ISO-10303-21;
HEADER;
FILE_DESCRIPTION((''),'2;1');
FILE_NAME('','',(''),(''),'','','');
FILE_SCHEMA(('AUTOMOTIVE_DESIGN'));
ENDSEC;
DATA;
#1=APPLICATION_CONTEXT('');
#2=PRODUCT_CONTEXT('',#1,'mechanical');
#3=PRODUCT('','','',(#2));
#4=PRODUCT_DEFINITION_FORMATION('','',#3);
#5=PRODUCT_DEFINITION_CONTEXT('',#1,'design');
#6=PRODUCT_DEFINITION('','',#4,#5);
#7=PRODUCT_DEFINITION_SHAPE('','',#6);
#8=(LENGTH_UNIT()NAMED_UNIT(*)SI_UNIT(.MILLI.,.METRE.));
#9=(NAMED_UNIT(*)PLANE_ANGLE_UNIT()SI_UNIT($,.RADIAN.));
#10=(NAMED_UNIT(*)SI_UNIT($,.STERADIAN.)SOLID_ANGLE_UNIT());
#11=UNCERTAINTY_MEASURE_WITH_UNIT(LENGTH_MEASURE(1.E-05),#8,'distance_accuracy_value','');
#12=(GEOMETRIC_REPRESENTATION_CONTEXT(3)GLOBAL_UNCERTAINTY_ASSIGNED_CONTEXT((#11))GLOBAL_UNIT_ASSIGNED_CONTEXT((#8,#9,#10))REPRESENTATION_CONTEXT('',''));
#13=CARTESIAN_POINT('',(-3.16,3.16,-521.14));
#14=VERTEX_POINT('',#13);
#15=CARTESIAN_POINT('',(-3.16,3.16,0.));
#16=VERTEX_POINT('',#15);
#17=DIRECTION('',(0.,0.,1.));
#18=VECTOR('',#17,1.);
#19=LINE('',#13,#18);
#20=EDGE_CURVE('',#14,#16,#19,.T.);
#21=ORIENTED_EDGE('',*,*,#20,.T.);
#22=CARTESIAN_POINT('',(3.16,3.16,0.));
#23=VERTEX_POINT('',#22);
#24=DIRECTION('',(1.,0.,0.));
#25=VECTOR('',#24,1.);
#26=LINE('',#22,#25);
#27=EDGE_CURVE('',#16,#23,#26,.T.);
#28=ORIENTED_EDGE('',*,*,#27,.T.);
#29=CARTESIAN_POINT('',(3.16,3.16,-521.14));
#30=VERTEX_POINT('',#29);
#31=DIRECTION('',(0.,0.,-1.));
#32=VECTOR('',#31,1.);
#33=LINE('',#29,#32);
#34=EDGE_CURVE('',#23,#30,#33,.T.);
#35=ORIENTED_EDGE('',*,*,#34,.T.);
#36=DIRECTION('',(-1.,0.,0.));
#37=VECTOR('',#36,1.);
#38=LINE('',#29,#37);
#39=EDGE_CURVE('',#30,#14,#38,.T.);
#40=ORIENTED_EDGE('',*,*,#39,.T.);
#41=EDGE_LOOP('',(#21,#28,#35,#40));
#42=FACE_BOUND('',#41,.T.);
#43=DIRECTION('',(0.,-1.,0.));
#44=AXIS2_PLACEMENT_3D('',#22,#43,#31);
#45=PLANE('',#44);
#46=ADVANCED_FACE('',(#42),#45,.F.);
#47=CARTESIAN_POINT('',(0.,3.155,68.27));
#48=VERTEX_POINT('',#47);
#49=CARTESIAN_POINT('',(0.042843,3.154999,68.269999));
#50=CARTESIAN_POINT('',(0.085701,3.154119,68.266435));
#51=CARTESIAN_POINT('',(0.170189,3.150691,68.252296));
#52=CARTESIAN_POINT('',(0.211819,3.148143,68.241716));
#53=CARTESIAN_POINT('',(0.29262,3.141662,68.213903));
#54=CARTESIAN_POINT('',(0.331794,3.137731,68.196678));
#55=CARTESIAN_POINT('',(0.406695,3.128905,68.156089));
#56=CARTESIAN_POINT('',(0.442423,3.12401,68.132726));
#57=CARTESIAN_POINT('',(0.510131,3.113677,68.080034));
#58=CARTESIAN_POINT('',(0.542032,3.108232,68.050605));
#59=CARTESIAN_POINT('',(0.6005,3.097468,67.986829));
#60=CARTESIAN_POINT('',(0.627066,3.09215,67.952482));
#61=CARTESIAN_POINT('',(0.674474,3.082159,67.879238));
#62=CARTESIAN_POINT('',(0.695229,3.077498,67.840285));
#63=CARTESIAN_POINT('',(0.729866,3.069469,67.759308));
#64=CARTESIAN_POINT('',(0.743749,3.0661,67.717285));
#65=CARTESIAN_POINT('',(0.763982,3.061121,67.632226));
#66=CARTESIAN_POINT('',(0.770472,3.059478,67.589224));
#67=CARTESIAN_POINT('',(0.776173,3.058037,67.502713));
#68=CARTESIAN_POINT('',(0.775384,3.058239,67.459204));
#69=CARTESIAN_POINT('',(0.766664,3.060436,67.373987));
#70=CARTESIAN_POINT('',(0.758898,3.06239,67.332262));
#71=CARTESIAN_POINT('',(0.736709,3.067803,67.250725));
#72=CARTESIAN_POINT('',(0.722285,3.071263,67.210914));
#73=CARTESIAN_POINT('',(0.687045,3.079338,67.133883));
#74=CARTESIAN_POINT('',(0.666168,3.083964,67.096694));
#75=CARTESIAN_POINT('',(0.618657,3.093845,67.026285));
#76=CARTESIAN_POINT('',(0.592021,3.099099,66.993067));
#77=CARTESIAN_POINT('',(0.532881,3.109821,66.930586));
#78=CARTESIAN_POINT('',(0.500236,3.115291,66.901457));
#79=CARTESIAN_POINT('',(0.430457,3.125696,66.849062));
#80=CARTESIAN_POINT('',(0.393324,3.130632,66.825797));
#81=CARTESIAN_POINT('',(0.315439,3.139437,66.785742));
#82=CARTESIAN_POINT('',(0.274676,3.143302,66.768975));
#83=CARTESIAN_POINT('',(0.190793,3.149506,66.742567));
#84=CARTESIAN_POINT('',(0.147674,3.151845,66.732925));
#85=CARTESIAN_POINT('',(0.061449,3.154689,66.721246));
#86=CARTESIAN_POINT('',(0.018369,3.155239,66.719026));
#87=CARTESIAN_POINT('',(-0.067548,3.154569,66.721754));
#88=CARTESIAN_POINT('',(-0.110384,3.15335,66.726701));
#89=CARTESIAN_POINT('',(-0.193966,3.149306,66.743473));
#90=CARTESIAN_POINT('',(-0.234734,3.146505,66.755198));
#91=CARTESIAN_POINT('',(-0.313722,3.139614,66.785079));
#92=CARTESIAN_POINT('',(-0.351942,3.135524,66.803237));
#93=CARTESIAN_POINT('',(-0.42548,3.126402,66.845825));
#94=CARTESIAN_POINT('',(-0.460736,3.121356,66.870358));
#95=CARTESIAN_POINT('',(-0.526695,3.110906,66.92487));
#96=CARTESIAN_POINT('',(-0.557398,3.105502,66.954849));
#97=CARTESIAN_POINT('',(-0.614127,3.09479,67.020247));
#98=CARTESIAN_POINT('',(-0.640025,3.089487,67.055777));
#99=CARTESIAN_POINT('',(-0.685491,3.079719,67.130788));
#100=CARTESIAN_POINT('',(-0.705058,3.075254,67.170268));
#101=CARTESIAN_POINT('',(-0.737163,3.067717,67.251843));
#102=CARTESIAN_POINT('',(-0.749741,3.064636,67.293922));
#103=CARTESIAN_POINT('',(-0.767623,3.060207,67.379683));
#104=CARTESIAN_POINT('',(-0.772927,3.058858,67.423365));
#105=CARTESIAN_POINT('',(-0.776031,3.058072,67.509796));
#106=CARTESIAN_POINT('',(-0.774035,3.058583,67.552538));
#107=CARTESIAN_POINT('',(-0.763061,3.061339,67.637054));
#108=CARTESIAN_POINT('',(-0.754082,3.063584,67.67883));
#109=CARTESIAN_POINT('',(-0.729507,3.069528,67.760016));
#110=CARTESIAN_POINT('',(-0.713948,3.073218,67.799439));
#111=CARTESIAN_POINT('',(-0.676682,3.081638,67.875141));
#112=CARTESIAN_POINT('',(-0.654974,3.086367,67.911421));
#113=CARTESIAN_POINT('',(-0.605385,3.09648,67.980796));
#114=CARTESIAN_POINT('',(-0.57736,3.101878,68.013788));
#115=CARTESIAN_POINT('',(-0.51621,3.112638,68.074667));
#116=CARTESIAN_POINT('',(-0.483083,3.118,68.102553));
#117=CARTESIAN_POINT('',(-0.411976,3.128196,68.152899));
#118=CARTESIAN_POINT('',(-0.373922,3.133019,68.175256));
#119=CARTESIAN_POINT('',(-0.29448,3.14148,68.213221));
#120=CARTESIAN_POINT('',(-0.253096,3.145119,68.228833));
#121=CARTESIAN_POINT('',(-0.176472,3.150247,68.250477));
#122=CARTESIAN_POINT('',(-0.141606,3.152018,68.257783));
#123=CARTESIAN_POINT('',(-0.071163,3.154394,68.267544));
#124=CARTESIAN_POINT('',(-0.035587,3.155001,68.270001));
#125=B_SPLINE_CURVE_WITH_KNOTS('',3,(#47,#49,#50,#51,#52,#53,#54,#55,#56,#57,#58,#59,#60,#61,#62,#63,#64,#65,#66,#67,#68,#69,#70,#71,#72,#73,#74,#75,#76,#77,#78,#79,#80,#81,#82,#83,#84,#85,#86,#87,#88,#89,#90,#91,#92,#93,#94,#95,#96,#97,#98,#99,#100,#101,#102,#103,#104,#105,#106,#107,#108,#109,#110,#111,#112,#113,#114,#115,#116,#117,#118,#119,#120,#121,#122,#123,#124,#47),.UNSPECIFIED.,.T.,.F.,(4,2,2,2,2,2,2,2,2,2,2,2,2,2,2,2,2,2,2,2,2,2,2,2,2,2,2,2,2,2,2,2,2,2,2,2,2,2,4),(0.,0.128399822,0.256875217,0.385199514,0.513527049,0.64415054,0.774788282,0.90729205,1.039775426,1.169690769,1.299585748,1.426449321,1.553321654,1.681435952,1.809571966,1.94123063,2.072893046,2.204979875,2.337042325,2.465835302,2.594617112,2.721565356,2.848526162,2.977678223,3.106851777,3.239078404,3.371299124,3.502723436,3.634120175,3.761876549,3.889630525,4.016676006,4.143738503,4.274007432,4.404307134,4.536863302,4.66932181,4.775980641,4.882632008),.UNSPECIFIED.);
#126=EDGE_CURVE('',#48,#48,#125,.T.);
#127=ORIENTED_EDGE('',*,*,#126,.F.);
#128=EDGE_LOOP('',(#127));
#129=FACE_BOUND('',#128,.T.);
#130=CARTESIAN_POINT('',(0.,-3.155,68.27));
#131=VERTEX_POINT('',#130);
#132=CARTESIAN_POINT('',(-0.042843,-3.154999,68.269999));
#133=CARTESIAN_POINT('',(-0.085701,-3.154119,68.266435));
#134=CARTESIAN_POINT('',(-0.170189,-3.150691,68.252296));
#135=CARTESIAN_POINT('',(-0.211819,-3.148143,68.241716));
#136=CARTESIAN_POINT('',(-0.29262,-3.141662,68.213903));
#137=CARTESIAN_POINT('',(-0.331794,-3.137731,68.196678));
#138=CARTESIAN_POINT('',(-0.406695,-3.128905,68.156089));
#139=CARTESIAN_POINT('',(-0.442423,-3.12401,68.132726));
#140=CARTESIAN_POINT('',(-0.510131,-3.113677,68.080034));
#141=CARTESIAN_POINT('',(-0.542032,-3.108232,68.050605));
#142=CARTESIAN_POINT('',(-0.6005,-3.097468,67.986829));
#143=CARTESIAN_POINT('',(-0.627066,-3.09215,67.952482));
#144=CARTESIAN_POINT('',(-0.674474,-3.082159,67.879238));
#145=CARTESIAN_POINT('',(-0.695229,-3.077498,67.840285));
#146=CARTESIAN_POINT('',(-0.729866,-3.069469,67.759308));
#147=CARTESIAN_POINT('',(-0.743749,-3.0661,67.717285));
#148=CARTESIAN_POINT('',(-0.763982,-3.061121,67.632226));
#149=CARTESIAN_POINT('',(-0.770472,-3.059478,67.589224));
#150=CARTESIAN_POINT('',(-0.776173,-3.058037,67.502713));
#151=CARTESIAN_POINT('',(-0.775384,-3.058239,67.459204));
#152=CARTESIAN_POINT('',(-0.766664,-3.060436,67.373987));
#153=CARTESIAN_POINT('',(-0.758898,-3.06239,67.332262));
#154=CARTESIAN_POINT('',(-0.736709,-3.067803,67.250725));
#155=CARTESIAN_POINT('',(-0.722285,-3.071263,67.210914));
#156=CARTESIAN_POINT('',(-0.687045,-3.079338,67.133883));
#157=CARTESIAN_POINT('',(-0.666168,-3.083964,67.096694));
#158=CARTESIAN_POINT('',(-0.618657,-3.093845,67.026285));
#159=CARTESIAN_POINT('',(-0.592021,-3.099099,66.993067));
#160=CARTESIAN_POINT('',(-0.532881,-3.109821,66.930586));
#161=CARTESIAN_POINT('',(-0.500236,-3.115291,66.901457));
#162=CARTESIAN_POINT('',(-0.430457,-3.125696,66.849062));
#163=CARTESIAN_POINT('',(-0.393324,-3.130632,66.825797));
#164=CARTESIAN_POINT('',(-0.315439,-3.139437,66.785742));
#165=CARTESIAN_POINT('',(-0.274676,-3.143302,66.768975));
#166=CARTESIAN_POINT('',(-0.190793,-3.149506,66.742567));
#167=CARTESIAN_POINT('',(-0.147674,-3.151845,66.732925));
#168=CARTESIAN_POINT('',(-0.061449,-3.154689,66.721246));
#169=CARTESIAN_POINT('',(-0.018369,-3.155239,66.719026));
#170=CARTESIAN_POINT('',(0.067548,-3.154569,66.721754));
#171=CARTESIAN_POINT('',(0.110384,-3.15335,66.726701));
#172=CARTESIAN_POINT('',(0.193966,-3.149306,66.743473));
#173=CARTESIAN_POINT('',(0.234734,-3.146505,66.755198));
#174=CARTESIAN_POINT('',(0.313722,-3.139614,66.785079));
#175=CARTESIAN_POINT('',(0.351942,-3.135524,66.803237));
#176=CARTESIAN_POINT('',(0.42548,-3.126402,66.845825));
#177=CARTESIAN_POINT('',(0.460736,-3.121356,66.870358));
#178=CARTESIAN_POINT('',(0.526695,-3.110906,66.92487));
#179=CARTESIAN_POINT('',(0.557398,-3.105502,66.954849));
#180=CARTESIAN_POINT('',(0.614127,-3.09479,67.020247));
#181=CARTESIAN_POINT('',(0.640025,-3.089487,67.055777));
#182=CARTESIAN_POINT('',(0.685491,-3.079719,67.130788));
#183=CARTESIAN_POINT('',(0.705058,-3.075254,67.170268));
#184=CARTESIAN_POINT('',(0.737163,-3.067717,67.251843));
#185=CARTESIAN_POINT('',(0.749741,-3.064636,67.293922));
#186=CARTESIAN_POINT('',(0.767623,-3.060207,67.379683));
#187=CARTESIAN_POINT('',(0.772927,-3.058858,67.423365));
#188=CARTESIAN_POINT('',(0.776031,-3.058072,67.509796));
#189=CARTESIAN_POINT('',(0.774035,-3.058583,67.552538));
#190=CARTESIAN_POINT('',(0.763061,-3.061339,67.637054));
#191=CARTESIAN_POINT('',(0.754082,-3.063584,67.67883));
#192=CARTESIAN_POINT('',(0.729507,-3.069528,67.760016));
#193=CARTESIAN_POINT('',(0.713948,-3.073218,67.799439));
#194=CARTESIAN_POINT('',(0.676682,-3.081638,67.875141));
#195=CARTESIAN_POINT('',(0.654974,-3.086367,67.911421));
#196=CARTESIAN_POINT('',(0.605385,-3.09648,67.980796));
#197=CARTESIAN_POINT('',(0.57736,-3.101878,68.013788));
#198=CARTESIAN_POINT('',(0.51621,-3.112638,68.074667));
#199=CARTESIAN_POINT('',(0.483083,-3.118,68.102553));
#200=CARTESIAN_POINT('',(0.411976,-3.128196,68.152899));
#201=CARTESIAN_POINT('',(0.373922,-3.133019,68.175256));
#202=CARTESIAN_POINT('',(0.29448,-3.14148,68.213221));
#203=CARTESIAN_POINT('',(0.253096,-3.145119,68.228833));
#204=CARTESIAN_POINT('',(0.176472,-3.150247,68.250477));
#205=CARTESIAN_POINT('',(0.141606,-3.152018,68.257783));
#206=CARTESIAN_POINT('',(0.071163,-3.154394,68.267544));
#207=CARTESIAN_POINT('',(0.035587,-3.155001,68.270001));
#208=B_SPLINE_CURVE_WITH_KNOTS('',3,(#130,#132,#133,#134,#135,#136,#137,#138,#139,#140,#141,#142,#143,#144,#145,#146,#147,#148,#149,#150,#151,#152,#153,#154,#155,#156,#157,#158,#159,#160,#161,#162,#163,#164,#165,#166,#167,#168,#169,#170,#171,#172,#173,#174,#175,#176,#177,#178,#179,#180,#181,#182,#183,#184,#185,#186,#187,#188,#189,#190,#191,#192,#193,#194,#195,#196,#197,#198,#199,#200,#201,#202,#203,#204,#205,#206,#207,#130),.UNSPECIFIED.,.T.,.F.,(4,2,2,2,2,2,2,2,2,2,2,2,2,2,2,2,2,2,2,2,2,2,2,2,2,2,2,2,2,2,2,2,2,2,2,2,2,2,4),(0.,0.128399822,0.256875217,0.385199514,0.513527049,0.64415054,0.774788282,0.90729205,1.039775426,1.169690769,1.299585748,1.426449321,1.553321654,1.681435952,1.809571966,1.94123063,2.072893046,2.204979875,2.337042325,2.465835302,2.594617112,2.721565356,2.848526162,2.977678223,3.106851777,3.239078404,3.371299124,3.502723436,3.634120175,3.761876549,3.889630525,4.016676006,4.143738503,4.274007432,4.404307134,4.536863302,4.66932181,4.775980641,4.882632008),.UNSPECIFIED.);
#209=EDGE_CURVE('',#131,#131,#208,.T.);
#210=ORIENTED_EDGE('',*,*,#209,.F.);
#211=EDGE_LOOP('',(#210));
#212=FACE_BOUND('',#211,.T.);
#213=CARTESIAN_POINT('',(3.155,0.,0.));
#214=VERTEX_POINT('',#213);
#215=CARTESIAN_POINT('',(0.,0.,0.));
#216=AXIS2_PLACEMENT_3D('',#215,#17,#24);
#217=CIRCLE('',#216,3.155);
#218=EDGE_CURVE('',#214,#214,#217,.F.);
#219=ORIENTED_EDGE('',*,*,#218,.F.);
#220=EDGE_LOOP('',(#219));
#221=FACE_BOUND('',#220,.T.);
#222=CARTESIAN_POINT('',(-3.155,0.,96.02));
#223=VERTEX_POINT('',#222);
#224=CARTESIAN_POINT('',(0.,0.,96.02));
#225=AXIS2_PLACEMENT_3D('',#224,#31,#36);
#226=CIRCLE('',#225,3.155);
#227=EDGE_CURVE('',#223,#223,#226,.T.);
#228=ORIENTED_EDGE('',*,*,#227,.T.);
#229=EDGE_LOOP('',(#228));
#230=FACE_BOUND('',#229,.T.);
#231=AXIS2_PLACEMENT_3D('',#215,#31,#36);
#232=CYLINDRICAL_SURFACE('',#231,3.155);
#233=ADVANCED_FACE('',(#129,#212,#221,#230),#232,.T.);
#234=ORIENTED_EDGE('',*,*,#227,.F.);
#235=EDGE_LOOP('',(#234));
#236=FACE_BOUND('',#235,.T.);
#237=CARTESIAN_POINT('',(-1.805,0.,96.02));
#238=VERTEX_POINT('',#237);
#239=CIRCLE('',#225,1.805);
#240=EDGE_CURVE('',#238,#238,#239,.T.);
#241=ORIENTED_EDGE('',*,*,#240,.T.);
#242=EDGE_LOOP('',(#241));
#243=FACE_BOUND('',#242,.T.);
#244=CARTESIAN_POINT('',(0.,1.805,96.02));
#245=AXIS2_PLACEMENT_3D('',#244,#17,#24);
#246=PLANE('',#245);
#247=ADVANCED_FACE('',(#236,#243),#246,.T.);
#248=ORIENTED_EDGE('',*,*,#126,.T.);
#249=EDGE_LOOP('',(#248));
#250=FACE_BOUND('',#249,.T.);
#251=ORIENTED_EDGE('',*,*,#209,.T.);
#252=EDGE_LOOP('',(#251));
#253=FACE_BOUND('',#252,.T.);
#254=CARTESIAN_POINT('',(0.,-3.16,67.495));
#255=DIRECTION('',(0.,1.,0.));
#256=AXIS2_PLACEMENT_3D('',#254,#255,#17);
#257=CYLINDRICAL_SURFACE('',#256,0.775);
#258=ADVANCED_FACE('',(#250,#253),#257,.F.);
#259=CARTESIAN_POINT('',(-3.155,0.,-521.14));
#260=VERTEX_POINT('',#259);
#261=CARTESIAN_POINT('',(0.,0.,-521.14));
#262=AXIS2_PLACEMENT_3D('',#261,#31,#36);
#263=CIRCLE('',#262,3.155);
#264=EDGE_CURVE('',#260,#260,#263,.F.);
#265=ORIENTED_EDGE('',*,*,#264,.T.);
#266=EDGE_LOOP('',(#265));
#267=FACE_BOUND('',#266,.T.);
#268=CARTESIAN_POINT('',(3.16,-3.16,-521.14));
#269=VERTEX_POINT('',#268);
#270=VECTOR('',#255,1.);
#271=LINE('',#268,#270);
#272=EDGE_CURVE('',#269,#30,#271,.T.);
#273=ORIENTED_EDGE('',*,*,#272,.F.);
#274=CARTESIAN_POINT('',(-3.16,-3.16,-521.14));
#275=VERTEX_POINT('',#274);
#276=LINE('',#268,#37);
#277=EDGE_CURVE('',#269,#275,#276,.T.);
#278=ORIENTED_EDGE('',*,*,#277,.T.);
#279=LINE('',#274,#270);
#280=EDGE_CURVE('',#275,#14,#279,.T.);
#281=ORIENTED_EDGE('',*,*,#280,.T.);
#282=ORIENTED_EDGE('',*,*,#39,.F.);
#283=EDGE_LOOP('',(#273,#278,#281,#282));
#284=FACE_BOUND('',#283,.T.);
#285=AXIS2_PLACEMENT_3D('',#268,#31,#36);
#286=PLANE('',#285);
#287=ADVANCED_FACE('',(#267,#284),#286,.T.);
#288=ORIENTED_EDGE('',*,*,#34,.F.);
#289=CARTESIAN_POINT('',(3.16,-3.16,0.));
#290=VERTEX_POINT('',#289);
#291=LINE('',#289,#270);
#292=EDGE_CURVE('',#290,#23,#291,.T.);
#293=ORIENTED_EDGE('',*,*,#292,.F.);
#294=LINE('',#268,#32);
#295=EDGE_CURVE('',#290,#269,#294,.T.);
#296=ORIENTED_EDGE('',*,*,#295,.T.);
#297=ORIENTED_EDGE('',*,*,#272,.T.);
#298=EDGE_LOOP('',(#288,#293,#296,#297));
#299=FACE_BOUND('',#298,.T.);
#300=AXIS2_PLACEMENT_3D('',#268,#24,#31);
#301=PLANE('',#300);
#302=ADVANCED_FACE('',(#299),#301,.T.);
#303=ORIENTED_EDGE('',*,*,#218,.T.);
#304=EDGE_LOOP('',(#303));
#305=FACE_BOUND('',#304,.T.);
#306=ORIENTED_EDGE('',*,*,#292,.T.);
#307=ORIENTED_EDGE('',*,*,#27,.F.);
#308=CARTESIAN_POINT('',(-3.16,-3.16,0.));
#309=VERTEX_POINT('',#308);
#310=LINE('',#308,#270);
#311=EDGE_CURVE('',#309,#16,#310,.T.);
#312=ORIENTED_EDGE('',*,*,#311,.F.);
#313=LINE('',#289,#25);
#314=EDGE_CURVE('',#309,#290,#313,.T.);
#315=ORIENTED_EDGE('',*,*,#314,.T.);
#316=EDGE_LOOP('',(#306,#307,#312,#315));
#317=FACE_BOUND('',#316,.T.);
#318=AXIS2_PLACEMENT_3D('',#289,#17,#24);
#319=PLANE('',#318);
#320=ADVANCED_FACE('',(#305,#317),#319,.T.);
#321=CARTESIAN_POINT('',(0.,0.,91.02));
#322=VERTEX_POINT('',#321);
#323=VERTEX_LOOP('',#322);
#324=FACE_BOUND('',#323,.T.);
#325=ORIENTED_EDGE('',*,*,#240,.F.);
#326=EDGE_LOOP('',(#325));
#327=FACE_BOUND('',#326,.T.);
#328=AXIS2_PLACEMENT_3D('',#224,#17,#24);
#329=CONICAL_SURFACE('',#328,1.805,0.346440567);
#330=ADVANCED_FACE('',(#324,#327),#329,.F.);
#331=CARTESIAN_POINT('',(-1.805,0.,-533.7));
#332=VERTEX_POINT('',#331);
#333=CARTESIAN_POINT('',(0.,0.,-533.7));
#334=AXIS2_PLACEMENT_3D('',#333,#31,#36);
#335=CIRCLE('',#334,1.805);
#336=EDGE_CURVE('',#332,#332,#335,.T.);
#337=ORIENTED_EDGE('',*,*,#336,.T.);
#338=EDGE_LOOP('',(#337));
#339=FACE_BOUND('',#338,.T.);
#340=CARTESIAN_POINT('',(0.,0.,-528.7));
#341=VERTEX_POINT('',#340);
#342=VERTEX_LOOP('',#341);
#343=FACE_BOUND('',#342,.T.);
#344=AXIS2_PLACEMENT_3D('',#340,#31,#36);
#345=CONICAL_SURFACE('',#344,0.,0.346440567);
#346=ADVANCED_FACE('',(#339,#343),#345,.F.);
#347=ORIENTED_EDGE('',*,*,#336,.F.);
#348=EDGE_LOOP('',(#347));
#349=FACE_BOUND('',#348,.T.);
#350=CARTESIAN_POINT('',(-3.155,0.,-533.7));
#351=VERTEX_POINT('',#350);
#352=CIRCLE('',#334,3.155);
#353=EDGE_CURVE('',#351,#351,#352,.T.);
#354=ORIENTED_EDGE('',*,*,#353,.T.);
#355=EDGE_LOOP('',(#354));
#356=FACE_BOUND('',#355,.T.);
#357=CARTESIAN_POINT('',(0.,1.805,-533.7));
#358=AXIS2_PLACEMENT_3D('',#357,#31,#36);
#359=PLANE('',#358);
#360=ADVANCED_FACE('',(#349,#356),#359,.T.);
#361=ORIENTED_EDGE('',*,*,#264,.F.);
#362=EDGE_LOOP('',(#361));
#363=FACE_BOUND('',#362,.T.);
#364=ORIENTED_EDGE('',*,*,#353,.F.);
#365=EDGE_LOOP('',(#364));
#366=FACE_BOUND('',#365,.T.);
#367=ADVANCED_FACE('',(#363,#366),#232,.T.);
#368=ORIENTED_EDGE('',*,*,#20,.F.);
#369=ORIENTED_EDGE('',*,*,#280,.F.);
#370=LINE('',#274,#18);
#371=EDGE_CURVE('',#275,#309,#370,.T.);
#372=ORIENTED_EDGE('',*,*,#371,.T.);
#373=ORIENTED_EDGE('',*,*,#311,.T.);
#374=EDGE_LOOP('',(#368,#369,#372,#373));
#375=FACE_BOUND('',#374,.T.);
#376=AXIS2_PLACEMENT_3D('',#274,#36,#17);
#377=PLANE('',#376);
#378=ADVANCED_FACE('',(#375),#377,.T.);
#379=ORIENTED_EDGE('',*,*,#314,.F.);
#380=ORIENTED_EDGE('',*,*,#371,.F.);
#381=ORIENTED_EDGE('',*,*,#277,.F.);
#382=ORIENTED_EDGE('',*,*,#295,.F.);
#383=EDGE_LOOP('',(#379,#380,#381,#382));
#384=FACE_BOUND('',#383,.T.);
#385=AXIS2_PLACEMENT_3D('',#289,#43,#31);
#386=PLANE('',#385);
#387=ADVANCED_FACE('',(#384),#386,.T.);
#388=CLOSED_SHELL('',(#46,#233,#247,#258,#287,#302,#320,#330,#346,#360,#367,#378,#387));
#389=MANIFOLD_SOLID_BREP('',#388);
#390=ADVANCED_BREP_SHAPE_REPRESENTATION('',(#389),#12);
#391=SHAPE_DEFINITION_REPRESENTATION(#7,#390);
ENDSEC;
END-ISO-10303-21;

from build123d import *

# Parameters (mm, degrees)
SKETCH5_W                = 6.32
SKETCH5_H                = 521.14
BOSS_EXTRUDE2_DEPTH      = 3.16
BOSS_EXTRUDE2_DEPTH_BACK = 3.16
SKETCH4_R                = 0.775
CUT_EXTRUDE1_DEPTH       = 4.16
CUT_EXTRUDE1_DEPTH_BACK  = 4.16


with BuildPart() as part:
    # Sketch1 → Revolve1 (revolve)
    with BuildSketch(Plane(origin=(0, 0, 0), x_dir=(0, 0, -1), z_dir=(1, 0, 0))):
        Polygon((533.7, 1.805), (528.7, 0), (-91.02, 0), (-96.02, 1.805), (-96.02, 3.155), (533.7, 3.155), align=None)
    revolve(axis=Axis((0, 0, 0), (0, 0, 1)))

    # Sketch5 → Boss-Extrude2 (add, two sides)
    with BuildSketch(Plane(origin=(0, 0, 0), x_dir=(1, 0, 0), z_dir=(0, 1, 0))) as boss_extrude2_sk:
        with Locations((0, 260.57)):
            Rectangle(SKETCH5_W, SKETCH5_H)
    extrude(amount=BOSS_EXTRUDE2_DEPTH)
    extrude(boss_extrude2_sk.sketch, amount=-BOSS_EXTRUDE2_DEPTH_BACK)

    # Sketch4 → Cut-Extrude1 (cut, two sides)
    with BuildSketch(Plane(origin=(0, 0, 0), x_dir=(1, 0, 0), z_dir=(0, 1, 0))) as cut_extrude1_sk:
        with Locations((0, -67.495)):
            Circle(SKETCH4_R)
    extrude(amount=CUT_EXTRUDE1_DEPTH, mode=Mode.SUBTRACT)
    extrude(cut_extrude1_sk.sketch, amount=-CUT_EXTRUDE1_DEPTH_BACK, mode=Mode.SUBTRACT)


solid = part.part
